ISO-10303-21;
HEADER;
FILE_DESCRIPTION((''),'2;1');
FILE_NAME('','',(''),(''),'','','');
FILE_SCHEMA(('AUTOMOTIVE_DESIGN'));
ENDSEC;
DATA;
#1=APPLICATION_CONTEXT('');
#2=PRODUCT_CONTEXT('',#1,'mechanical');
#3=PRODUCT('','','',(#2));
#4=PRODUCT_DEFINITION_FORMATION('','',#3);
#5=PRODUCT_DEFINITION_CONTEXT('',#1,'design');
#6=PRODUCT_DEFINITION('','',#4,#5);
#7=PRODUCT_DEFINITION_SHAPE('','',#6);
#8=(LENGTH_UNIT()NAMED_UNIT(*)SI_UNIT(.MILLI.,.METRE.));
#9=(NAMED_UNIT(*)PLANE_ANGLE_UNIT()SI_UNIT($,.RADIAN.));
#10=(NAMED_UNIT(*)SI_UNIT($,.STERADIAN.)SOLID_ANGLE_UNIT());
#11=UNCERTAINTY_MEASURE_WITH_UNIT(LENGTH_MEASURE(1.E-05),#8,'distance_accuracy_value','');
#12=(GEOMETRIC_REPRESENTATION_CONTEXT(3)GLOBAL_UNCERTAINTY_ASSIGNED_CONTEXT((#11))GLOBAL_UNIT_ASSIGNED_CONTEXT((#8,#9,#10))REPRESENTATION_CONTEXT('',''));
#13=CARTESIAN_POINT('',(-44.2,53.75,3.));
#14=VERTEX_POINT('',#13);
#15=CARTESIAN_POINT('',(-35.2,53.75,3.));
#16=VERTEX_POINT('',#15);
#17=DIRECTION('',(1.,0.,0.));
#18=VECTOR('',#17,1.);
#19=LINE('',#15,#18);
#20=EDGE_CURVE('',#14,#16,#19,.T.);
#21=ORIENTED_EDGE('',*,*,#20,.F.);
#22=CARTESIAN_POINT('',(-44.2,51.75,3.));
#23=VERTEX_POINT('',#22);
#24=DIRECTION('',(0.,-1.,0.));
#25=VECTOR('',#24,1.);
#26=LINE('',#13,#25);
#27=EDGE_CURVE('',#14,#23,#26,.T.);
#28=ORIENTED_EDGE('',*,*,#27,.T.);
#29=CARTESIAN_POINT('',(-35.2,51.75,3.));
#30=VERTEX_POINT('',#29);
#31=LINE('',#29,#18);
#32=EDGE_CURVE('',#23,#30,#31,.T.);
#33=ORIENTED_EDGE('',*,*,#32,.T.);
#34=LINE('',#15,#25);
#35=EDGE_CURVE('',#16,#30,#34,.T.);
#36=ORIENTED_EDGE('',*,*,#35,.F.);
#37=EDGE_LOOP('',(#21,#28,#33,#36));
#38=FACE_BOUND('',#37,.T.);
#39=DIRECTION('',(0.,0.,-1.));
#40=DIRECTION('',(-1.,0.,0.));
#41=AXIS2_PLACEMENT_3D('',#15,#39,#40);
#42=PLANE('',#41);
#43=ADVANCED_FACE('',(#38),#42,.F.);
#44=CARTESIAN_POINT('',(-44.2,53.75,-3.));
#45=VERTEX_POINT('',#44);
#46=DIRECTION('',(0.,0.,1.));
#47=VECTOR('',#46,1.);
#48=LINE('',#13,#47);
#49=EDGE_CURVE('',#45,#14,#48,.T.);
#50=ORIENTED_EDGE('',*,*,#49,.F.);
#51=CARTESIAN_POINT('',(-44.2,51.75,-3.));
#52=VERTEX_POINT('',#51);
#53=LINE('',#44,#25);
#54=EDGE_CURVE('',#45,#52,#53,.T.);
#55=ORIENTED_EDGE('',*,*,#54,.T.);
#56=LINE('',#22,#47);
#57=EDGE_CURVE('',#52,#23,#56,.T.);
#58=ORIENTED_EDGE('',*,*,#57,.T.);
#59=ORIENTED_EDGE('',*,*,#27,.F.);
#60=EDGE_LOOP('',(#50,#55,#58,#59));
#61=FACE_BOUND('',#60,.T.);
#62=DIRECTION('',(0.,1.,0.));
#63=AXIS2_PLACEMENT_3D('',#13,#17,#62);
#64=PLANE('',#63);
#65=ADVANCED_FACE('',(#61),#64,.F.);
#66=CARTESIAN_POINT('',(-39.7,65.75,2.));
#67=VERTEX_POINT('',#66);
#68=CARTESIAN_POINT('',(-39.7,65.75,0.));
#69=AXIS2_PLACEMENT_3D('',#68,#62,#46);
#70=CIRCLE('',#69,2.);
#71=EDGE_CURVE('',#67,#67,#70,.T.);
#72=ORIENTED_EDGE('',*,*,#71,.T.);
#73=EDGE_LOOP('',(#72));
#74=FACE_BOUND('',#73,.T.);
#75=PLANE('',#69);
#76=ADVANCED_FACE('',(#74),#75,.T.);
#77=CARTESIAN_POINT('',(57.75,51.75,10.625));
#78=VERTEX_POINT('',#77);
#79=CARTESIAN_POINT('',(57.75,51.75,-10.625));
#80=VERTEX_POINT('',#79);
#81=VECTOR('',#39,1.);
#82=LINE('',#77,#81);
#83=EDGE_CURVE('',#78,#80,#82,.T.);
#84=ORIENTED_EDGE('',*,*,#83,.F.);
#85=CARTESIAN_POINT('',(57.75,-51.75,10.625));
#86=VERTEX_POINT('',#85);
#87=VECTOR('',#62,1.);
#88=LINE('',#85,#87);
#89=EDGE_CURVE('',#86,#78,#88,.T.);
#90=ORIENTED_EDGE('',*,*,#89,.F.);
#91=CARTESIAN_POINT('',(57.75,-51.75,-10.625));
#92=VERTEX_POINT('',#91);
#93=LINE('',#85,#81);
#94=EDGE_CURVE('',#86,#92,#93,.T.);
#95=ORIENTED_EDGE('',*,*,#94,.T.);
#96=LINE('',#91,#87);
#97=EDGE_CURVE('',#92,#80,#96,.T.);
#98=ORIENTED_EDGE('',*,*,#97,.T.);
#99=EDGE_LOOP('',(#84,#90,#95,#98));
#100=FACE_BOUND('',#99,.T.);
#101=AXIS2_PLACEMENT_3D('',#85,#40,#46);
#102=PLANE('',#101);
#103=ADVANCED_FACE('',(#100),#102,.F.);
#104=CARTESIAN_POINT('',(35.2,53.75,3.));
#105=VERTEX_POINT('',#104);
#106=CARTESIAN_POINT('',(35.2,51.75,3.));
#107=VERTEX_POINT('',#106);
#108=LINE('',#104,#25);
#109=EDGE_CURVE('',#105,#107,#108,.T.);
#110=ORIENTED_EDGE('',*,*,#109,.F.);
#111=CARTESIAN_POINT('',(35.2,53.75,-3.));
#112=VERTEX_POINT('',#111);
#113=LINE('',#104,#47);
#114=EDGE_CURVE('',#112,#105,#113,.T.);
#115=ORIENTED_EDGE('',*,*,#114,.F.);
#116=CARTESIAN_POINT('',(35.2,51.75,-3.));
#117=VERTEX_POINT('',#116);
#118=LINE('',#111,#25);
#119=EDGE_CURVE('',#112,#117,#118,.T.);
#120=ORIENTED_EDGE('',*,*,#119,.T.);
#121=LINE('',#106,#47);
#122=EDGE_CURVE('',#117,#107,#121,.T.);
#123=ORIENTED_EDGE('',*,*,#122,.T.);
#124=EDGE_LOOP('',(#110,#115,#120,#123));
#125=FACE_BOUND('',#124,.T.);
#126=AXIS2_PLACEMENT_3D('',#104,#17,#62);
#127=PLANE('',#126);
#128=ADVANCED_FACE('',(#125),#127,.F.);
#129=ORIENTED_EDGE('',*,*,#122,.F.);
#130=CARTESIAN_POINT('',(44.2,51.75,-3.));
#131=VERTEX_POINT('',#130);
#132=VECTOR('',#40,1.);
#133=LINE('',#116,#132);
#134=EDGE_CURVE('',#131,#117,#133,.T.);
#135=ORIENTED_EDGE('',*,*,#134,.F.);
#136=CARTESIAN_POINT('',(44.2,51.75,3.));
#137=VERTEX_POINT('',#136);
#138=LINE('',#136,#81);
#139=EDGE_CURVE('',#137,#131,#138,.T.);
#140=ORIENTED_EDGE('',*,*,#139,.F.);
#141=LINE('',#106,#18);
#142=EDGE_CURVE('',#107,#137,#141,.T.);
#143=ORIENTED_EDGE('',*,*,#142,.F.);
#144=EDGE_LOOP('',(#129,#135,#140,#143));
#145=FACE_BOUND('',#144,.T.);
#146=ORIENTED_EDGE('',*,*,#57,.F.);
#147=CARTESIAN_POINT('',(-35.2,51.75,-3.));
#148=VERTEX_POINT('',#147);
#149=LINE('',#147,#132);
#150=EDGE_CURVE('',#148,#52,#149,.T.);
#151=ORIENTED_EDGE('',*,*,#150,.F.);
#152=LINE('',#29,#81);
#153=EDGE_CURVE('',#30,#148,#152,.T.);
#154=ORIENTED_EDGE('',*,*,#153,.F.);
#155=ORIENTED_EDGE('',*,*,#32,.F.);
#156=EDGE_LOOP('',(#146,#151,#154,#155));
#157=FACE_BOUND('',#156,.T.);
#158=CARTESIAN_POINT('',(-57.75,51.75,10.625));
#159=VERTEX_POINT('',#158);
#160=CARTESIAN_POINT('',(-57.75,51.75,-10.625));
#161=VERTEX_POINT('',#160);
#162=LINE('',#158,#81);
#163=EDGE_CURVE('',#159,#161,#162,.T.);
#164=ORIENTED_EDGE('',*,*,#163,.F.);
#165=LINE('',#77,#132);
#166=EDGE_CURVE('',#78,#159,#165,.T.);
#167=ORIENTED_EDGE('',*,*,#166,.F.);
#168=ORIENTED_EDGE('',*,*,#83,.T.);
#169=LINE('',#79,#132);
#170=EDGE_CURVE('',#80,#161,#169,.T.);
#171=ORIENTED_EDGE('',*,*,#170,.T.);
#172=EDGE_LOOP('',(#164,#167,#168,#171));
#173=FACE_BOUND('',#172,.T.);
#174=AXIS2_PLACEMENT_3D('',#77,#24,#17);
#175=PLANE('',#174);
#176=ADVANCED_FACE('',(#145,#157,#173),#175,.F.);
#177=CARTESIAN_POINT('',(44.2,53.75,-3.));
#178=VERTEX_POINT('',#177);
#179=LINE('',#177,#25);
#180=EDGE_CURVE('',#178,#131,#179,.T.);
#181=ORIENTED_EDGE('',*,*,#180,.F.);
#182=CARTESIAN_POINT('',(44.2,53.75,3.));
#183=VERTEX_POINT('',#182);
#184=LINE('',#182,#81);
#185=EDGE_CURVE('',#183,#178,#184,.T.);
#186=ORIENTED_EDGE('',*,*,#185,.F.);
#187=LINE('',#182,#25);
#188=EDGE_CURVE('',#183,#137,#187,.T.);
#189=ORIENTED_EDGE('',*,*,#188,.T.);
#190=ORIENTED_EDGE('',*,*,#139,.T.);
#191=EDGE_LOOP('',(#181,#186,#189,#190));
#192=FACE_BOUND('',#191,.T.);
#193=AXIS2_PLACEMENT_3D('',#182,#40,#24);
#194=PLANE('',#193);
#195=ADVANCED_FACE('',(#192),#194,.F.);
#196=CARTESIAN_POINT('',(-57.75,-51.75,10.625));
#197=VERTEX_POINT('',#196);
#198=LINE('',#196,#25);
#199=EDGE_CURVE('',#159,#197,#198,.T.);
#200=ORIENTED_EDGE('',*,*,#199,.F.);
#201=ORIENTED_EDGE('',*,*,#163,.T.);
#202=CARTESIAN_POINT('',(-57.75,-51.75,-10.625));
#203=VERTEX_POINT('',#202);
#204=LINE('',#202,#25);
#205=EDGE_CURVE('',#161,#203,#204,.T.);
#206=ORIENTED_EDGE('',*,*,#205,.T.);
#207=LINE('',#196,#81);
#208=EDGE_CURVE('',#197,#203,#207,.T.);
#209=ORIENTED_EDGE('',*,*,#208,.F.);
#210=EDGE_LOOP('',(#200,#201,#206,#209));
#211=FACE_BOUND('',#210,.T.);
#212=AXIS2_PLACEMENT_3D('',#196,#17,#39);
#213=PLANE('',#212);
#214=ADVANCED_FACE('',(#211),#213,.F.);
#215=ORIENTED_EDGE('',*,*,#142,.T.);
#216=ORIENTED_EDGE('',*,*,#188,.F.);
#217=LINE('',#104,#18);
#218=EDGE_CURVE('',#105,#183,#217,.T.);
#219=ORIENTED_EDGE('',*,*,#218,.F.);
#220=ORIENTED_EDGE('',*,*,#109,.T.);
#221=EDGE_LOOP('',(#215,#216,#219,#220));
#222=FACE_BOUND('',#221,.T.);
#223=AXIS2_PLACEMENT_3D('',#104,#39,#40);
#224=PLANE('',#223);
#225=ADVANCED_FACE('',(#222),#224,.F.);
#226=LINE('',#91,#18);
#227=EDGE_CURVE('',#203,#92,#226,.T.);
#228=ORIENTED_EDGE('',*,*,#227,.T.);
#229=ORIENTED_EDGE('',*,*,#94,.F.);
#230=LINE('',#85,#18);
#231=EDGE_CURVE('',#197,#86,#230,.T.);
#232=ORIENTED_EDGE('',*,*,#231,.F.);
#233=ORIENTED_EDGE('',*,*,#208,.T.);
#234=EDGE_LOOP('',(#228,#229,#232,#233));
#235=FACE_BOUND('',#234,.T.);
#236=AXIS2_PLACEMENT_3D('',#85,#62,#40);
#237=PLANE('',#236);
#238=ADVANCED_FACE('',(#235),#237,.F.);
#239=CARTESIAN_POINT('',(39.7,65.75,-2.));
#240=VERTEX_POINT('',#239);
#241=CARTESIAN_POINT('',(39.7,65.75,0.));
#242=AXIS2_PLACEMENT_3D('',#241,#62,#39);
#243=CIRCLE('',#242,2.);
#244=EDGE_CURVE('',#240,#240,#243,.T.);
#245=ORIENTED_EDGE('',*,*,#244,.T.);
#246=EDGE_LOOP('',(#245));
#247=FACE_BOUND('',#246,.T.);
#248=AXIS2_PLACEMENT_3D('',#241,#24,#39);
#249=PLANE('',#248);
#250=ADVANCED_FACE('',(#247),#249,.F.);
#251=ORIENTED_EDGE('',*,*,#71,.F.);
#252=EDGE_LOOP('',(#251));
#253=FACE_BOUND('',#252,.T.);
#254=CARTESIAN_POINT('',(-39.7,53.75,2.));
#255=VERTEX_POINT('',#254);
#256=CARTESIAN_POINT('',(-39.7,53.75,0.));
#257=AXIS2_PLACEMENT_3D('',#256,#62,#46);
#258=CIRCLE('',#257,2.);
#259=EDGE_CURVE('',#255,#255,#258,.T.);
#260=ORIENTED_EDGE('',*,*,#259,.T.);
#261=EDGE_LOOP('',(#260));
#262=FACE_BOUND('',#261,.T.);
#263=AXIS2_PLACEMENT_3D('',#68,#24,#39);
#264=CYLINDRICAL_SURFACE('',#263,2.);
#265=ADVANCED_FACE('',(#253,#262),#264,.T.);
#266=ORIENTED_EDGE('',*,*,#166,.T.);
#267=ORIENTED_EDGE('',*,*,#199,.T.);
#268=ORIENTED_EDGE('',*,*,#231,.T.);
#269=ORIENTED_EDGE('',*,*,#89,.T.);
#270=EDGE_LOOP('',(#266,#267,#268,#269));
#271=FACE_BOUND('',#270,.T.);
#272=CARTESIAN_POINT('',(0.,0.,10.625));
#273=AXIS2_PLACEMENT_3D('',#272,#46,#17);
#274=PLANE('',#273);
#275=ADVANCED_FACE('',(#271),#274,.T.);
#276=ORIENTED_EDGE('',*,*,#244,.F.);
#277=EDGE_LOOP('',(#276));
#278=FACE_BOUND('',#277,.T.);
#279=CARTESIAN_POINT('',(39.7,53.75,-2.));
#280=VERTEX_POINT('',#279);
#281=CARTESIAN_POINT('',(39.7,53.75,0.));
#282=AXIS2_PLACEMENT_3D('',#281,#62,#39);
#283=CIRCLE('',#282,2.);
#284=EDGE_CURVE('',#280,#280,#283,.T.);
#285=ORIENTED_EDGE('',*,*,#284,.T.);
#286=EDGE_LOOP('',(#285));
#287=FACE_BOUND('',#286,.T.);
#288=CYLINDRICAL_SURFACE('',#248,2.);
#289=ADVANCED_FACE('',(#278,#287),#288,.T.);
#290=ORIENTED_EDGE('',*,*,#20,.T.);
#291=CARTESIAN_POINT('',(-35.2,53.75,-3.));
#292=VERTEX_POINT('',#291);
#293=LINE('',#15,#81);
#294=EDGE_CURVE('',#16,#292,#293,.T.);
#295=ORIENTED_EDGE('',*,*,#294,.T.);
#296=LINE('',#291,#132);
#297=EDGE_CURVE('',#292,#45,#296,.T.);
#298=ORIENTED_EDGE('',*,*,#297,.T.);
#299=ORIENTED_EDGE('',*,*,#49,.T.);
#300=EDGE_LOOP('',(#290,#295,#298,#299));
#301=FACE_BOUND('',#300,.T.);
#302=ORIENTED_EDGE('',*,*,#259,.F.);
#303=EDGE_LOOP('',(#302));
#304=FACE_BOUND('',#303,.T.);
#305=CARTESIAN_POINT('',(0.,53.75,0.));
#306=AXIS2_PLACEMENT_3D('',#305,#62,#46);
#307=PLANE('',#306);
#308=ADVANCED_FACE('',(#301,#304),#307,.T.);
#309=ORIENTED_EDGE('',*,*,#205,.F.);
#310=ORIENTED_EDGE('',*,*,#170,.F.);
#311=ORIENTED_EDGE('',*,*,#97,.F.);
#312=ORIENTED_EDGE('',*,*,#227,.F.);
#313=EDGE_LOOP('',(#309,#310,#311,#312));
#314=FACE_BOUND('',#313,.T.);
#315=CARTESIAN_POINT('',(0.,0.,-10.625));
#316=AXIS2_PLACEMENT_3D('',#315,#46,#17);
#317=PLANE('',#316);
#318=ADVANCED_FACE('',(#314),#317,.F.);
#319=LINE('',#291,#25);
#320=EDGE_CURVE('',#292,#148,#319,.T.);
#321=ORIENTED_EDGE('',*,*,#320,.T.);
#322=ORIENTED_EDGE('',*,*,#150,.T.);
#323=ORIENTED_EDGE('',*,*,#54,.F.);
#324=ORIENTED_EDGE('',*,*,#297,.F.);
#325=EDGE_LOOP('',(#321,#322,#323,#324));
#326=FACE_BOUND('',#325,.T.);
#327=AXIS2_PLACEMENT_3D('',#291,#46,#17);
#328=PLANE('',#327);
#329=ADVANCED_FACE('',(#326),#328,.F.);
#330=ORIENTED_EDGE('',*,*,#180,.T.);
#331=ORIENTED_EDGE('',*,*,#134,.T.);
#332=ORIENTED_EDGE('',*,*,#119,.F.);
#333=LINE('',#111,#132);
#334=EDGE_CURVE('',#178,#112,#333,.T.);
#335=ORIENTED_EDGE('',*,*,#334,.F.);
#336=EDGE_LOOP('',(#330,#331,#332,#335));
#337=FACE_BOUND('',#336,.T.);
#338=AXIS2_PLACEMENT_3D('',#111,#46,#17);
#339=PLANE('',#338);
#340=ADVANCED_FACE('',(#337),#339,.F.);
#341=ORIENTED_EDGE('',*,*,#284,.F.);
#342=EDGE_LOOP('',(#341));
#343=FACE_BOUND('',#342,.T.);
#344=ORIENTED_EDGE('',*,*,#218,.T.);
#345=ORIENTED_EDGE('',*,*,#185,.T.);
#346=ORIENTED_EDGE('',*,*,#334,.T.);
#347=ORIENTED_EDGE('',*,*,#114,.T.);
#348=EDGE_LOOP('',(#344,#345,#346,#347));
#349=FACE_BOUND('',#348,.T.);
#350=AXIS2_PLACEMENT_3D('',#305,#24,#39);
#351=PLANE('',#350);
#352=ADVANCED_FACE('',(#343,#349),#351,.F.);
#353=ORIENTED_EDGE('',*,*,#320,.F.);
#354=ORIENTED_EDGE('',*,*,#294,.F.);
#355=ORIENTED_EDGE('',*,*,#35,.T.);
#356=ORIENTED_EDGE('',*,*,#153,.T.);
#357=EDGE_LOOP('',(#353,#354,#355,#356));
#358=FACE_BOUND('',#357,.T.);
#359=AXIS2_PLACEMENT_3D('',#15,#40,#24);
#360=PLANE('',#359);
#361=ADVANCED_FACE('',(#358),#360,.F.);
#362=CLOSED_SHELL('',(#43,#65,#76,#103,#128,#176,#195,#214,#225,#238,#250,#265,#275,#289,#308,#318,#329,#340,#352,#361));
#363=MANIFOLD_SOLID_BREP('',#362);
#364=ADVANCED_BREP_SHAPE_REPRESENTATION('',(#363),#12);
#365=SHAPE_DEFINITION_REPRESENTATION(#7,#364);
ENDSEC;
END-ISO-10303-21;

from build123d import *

# Parameters (mm, degrees)
SKETCH1_W             = 115.5
SKETCH1_H             = 103.5
CELL_BODY_DEPTH       = 10.625
SKETCH2_W             = 9
SKETCH2_H             = 6
SCREW_TERMINALS_DEPTH = 2
SKETCH3_R             = 2
SCREWS_DEPTH          = 12


with BuildPart() as part:
    # Sketch1 → Cell Body (new, symmetric)
    with BuildSketch(Plane.XY):
        Rectangle(SKETCH1_W, SKETCH1_H)
    extrude(amount=CELL_BODY_DEPTH, both=True)

    # Sketch2 → Screw Terminals (add)
    with BuildSketch(Plane(origin=(0, 51.75, 0), x_dir=(1, 0, 0), z_dir=(0, 1, 0))):
        with Locations((-39.7, 0)):
            Rectangle(SKETCH2_W, SKETCH2_H)
        with Locations((39.7, 0)):
            Rectangle(SKETCH2_W, SKETCH2_H)
    extrude(amount=SCREW_TERMINALS_DEPTH)

    # Sketch3 → Screws (add)
    with BuildSketch(Plane(origin=(0, 53.75, 0), x_dir=(1, 0, 0), z_dir=(0, 1, 0))):
        with Locations((-39.7, 0)):
            Circle(SKETCH3_R)
        with Locations((39.7, 0)):
            Circle(SKETCH3_R)
    extrude(amount=SCREWS_DEPTH)


solid = part.part
